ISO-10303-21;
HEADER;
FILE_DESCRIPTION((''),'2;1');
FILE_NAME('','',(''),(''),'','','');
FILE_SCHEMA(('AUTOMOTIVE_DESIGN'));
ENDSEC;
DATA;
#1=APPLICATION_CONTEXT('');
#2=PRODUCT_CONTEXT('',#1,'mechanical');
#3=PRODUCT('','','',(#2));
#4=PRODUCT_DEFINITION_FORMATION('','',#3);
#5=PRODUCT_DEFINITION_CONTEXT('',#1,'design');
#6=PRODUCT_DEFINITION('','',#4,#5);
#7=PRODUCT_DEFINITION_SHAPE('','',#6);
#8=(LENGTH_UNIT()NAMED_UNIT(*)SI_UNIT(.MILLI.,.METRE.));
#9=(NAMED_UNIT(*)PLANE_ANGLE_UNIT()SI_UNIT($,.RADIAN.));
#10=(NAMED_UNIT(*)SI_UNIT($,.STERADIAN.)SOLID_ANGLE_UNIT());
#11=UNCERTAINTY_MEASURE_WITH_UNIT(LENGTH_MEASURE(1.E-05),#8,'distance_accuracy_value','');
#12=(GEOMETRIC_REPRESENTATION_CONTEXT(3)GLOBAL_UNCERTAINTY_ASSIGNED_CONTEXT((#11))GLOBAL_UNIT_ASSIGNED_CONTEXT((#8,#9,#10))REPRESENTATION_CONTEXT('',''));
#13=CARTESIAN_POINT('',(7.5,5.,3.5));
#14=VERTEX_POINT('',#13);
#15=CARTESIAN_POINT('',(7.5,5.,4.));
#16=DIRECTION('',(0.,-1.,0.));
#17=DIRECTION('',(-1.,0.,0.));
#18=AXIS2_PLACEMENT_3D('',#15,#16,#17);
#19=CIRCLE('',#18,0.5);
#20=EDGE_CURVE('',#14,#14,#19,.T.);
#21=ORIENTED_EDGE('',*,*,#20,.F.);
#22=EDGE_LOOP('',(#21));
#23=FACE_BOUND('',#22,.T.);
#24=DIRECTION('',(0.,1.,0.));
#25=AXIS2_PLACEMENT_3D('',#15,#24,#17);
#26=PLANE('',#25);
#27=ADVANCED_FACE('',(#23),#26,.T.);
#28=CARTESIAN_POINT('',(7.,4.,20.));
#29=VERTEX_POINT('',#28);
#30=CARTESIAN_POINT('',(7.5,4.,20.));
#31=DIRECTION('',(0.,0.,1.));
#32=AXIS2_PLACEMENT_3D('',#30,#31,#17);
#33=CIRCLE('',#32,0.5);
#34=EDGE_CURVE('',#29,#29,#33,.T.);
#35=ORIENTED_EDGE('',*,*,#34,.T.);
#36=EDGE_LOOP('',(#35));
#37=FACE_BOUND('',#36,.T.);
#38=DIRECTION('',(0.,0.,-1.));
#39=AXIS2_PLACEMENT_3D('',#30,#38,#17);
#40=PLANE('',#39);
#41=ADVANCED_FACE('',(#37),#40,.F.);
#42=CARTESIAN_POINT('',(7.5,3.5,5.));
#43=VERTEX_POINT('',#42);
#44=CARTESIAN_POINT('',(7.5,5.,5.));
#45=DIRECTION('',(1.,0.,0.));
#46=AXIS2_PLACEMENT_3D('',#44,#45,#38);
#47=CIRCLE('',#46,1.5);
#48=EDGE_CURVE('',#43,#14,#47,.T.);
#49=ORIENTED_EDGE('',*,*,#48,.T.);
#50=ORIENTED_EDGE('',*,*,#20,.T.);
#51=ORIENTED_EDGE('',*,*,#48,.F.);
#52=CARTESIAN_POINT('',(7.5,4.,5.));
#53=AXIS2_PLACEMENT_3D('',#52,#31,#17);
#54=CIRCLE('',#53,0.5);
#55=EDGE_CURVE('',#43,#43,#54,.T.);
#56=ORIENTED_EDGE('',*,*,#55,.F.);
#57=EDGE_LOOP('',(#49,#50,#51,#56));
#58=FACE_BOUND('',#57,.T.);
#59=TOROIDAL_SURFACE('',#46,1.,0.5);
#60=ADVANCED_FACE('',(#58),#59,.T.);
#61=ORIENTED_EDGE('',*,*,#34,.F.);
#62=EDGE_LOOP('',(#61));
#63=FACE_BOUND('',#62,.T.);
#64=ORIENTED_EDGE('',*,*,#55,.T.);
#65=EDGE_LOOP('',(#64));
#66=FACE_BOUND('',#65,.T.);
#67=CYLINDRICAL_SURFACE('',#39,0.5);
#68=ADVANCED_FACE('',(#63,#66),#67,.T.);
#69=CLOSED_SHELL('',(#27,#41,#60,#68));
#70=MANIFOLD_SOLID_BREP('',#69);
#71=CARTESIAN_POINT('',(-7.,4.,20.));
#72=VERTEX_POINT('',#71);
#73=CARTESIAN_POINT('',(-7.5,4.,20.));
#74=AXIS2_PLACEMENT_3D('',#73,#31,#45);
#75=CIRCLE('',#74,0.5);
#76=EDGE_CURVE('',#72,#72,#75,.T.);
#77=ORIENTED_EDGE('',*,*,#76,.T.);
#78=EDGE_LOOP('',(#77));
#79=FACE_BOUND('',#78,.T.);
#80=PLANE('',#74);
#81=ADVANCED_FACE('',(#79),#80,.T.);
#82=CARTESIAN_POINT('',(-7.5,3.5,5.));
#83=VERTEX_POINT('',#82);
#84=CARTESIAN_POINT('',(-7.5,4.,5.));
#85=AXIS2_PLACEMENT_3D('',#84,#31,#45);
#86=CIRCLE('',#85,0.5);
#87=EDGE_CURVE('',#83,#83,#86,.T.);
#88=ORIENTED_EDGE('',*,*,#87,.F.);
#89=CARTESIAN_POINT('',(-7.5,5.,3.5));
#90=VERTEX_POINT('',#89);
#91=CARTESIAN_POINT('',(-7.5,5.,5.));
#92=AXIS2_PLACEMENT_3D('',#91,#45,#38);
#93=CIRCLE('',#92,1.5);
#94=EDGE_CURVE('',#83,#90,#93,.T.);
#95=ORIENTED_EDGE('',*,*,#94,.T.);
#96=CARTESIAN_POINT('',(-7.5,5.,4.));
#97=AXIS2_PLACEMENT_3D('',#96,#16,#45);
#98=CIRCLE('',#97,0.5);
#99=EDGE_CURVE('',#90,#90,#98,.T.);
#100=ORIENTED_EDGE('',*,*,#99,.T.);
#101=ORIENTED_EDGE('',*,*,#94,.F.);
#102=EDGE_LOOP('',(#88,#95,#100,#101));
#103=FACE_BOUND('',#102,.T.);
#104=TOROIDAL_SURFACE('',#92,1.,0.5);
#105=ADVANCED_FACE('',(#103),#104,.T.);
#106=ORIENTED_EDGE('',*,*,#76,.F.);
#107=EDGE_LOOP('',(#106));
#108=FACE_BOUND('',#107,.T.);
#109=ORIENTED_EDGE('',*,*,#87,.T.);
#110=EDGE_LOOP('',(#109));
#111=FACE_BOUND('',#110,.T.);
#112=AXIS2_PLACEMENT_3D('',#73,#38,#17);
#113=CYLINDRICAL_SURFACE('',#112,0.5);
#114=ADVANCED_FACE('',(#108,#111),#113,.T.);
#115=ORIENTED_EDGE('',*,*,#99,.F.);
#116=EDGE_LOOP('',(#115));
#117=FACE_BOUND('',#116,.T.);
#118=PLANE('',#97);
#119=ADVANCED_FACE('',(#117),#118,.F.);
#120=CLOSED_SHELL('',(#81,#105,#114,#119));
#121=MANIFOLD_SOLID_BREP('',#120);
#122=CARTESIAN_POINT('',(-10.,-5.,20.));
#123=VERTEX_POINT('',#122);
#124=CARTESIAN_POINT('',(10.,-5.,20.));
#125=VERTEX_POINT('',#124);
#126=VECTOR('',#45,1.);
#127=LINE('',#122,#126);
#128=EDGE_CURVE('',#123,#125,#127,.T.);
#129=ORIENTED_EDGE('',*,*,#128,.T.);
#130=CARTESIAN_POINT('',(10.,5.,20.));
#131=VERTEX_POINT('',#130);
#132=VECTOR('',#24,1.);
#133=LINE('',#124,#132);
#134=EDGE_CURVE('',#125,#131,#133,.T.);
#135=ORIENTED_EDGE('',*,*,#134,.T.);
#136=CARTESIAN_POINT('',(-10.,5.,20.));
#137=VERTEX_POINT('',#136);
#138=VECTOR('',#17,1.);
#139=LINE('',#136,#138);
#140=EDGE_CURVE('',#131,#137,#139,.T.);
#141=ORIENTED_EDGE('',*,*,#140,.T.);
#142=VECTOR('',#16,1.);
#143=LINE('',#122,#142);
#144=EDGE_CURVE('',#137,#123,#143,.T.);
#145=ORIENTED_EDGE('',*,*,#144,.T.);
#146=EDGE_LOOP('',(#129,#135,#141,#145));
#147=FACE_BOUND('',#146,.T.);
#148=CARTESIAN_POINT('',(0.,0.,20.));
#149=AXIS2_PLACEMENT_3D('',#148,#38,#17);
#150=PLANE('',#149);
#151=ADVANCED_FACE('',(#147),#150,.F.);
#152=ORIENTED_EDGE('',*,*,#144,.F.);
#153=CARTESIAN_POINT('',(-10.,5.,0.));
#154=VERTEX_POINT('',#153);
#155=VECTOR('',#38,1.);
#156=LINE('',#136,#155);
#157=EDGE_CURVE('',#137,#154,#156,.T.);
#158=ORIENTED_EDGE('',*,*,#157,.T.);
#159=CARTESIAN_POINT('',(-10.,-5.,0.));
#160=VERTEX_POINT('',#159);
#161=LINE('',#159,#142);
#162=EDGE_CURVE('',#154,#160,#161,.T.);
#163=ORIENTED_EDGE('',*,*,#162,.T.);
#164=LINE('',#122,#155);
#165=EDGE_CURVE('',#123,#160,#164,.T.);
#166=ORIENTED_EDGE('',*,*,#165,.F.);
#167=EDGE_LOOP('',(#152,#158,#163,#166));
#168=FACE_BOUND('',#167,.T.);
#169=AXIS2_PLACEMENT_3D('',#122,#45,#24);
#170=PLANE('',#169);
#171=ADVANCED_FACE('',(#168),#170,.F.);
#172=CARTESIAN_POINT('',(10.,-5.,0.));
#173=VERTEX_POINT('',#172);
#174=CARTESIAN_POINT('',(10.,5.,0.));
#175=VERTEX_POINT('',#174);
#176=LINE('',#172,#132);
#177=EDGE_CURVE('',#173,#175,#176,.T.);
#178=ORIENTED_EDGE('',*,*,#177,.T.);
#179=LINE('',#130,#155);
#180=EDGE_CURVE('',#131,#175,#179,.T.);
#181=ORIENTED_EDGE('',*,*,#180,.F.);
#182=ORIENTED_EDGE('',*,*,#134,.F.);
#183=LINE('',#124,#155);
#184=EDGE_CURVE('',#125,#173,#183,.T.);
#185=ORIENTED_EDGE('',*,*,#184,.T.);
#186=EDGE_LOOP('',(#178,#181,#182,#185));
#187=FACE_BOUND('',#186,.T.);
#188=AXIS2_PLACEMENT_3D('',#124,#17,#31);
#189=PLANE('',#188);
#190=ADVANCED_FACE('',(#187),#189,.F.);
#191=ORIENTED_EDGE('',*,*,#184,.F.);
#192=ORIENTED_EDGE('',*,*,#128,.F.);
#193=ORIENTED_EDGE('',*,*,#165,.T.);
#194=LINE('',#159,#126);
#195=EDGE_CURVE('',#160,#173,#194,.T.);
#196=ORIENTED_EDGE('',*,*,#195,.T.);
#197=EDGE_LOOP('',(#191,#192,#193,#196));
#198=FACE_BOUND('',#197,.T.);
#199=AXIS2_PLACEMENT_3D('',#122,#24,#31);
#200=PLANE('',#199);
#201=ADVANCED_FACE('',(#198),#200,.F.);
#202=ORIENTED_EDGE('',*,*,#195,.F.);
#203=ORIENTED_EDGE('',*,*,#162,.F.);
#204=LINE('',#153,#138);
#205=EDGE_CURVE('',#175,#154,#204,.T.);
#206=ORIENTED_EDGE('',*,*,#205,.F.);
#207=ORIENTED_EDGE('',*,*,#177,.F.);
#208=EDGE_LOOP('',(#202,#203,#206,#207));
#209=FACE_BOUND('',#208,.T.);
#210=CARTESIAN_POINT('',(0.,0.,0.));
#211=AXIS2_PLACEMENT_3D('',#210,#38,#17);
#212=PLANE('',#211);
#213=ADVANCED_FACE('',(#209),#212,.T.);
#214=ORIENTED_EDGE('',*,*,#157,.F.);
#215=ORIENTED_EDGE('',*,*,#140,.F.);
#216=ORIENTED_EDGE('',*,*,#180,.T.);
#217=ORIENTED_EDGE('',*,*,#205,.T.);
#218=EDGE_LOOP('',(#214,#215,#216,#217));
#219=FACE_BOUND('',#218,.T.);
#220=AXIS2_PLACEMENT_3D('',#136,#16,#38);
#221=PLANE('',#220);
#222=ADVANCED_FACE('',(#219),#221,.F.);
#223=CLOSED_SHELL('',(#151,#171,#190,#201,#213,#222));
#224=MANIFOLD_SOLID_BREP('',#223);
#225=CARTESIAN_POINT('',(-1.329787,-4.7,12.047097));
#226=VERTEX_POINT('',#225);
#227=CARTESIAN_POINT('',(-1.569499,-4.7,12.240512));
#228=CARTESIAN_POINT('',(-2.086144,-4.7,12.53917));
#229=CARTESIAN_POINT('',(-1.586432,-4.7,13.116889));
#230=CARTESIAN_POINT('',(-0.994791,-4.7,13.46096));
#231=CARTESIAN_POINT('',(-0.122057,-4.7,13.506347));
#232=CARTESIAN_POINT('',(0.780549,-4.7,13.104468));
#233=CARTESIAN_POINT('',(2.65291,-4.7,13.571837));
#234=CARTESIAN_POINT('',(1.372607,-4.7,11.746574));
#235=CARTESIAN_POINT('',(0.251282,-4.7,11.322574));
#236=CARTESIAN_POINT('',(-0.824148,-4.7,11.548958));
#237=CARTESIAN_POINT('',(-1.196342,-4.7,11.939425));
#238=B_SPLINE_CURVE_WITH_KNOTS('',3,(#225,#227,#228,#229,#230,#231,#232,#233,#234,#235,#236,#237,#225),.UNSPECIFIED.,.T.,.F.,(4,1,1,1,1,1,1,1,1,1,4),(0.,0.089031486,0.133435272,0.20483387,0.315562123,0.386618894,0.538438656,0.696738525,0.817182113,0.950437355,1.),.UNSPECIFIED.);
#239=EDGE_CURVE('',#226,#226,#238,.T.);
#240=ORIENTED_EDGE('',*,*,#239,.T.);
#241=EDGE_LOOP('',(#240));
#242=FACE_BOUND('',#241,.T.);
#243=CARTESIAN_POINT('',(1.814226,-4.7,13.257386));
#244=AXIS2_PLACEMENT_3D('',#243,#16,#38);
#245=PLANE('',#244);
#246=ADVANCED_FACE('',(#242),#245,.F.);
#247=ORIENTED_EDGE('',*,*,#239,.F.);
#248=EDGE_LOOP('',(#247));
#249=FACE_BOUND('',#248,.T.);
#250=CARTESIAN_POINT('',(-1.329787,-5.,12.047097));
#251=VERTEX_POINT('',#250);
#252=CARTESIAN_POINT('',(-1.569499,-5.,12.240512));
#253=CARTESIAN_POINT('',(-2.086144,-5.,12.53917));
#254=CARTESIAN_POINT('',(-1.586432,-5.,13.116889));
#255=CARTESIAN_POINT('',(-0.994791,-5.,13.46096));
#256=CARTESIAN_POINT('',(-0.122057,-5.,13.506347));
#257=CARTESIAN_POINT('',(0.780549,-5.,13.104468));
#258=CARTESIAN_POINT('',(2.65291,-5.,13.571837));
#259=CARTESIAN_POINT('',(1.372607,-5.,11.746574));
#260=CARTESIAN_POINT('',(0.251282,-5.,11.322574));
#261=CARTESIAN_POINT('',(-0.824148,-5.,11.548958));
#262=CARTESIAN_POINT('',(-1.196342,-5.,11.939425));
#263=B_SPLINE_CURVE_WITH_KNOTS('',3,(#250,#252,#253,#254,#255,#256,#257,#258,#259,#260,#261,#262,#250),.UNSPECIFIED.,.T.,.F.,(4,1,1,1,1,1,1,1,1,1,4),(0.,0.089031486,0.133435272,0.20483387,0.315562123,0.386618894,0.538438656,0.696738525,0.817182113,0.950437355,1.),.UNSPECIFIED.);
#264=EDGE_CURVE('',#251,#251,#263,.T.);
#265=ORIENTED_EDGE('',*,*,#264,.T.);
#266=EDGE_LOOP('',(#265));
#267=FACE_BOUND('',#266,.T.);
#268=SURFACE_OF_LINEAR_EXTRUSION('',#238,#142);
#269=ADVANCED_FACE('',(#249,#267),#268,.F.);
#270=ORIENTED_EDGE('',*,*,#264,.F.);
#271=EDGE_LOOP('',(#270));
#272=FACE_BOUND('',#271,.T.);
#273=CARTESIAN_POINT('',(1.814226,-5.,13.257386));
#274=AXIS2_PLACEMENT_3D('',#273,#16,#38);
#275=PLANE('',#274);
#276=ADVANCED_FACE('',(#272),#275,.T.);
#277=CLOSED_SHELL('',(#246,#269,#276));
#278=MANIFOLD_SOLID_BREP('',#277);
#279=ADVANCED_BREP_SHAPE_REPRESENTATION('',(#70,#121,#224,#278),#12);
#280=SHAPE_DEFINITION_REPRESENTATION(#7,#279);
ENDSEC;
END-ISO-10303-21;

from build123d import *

# Parameters (mm, degrees)
SKETCH1_W           = 20
SKETCH1_H           = 10
BOSS_EXTRUDE1_DEPTH = 20
SKETCH2_R           = 0.5
SLICE_2_DEPTH       = 0.3


with BuildPart() as part:
    # Sketch1 → Boss-Extrude1 (new body)
    with BuildSketch(Plane.XY):
        Rectangle(SKETCH1_W, SKETCH1_H)
    extrude(amount=BOSS_EXTRUDE1_DEPTH)


with BuildPart() as body_2:
    # ag/agcl electrodes: sweep along a path in Sketch3
    with BuildLine(Plane(origin=(7.5, 0, 0), x_dir=(0, 0, -1), z_dir=(1, 0, 0))) as ag_agcl_electrodes_path:
        Line((-20, 4), (-5, 4))
        ThreePointArc((-5, 4), (-4.292893219, 4.292893219), (-4, 5))
    # Sketch2 → ag/agcl electrodes (sweep)
    with BuildSketch(Plane.XY.offset(20)):
        with Locations((-7.5, 4)):
            Circle(SKETCH2_R)
        with Locations((7.5, 4)):
            Circle(SKETCH2_R)
    sweep(path=ag_agcl_electrodes_path.line)


with BuildPart() as body_3:
    # Sketch4 → slice 2 (new body)
    with BuildSketch(Plane(origin=(0, -5, 0), x_dir=(1, 0, 0), z_dir=(0, 1, 0))):
        with BuildLine():
            add(Edge.make_bspline(
                [(-1.329786825, -12.04709664), (-1.196342031, -11.939424685), (-0.824147777, -11.548957834), (0.251281573, -11.322574475), (1.372606671, -11.746573561), (2.652909809, -13.571837262), (0.780549472, -13.104467787), (-0.122057097, -13.506347246), (-0.994791107, -13.460960152), (-1.586432094, -13.116889112), (-2.086144249, -12.539169772), (-1.569499382, -12.240512354), (-1.329786825, -12.04709664)],
                knots=[0, 0, 0, 0, 0.049562645, 0.182817887, 0.303261475, 0.461561344, 0.613381106, 0.684437877, 0.79516613, 0.866564728, 0.910968514, 1, 1, 1, 1], degree=3))
        make_face()
    extrude(amount=SLICE_2_DEPTH)


solid = Compound([part.part, body_2.part, body_3.part])
